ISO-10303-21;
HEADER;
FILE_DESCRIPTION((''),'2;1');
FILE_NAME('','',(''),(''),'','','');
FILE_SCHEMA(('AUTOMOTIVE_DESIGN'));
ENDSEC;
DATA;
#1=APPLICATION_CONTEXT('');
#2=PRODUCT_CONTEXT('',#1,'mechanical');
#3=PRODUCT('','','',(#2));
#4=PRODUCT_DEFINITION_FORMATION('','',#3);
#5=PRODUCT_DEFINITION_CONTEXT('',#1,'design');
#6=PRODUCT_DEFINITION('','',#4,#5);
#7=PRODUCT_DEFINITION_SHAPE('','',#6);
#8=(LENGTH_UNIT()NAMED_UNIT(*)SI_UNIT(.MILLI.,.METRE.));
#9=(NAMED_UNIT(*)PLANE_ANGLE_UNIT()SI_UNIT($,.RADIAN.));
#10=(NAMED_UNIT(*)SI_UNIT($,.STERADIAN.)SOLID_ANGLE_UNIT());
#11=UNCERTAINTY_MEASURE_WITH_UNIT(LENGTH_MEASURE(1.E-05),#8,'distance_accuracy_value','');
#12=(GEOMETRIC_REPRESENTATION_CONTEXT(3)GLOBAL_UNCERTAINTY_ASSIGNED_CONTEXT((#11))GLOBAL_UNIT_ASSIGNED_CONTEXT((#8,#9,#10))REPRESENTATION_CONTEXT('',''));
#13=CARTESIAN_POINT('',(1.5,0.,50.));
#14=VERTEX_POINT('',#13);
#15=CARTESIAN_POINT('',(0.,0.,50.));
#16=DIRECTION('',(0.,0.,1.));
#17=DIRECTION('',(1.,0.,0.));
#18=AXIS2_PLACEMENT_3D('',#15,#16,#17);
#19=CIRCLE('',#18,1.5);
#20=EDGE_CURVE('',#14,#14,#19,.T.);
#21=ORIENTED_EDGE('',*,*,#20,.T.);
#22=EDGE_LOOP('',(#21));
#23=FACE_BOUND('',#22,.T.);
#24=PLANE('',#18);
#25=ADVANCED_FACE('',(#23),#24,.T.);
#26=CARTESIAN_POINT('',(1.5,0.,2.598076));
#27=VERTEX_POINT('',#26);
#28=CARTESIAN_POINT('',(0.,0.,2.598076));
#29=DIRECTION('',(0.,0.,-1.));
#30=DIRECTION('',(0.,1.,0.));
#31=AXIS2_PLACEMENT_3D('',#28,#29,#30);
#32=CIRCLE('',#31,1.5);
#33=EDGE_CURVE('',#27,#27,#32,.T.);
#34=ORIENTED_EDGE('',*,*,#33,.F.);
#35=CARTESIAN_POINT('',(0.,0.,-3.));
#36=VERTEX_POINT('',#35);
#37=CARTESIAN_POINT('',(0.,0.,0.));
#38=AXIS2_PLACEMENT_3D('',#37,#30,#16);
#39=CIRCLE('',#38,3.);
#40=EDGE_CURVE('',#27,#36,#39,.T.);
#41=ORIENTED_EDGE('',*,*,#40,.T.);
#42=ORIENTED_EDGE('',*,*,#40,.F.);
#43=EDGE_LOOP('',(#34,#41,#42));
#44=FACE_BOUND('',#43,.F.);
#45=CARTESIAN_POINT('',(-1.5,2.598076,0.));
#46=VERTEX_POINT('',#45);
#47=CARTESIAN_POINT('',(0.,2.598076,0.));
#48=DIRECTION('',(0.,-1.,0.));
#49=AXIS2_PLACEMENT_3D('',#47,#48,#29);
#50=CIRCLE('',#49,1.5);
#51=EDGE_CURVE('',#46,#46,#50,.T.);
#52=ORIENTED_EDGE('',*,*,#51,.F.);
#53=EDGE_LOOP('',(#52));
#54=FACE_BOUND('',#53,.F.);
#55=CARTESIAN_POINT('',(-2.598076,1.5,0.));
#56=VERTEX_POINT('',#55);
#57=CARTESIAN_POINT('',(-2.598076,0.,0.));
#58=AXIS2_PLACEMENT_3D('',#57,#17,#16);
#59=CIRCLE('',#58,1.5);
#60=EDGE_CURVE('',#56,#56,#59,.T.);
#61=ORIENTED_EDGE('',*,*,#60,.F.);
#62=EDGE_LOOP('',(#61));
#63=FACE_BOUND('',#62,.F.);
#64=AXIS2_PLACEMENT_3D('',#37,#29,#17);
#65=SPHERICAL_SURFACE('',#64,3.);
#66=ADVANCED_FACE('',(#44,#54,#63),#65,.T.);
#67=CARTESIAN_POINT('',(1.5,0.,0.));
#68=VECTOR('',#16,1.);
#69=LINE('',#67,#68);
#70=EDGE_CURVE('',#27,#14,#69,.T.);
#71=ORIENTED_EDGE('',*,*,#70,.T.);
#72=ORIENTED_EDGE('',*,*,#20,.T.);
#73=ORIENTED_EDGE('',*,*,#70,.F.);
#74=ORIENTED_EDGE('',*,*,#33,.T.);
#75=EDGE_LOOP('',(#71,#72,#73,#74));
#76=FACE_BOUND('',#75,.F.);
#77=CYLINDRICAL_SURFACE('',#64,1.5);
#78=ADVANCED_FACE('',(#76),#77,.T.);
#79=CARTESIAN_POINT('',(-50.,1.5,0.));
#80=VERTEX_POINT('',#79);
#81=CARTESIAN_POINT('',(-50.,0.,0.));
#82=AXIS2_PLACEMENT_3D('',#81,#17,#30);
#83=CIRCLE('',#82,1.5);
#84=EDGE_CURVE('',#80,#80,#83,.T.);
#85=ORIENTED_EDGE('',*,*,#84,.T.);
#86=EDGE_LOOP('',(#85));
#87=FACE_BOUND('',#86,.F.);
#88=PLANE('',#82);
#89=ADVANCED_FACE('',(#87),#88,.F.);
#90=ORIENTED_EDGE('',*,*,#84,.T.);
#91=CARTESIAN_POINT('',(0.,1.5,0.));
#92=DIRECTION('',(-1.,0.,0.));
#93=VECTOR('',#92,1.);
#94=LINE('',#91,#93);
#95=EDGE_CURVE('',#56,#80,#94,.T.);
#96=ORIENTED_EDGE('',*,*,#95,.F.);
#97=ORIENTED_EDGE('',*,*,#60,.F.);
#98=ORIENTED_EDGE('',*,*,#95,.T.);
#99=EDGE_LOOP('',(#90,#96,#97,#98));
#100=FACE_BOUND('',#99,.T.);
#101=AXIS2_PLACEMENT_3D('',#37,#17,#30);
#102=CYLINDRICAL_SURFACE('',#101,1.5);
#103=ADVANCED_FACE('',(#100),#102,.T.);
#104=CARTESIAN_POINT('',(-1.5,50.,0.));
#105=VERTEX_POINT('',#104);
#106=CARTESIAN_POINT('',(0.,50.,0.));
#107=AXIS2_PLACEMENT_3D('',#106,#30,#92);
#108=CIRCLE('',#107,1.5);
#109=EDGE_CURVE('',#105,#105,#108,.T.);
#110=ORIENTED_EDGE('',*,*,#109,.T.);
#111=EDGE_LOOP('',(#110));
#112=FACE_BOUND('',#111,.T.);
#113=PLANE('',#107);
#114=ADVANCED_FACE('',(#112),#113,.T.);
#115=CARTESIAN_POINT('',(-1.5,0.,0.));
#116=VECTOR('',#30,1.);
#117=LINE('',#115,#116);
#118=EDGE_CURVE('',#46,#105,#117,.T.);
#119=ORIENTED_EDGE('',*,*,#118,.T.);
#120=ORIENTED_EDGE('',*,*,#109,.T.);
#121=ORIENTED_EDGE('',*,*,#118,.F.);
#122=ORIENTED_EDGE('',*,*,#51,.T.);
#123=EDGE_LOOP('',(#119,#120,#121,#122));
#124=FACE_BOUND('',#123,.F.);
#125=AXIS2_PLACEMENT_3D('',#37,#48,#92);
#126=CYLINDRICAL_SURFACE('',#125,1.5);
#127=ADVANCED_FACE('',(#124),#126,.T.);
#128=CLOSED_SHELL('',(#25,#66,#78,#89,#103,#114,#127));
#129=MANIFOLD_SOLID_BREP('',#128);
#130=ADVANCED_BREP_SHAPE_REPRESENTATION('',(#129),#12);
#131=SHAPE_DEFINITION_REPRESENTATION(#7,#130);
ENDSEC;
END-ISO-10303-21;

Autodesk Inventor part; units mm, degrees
ref_plane "YZ Plane" through (0, 0, 0) normal (1, 0, 0) x (0, 1, 0)
ref_plane "XZ Plane" through (0, 0, 0) normal (0, 1, 0) x (-1, 0, 0)
ref_plane "XY Plane" through (0, 0, 0) normal (0, 0, 1) x (1, 0, 0)
sketch "스케치1" plane through (0, 0, 0) normal (0, 1, 0) x (-1, 0, 0)
  circle A0 centre (0, 0) radius 1.5
  dimension "d0" = 3
extrude "돌출1" add sketch "스케치1" along normal blind 50
sketch "스케치2" plane through (0, 0, 0) normal (0, 1, 0) x (-1, 0, 0)
  arc A0 (0, 3) -> (0, -3) centre (0, 0) ccw
  line L0 (0, 3) -> (0, -3)
  line L1 (0, -7) -> (0, 7) projected
  dimension "d3" = 6
revolve "회전1" add sketch "스케치2" angle 360 about axis through (0, 0, -10) along (0, 0, 1)
sketch "스케치3" plane through (0, 0, 0) normal (0, 0, 1) x (1, 0, 0)
  circle A0 centre (0, 0) radius 1.5
  dimension "d5" = 3
extrude "돌출2" add sketch "스케치3" along normal blind 50
sketch "스케치4" plane through (0, 0, 0) normal (1, 0, 0) x (0, 1, 0)
  circle A0 centre (0, 0) radius 1.5
  dimension "d8" = 3
extrude "돌출3" add sketch "스케치4" against normal blind 50
properties part number "arrows2"
